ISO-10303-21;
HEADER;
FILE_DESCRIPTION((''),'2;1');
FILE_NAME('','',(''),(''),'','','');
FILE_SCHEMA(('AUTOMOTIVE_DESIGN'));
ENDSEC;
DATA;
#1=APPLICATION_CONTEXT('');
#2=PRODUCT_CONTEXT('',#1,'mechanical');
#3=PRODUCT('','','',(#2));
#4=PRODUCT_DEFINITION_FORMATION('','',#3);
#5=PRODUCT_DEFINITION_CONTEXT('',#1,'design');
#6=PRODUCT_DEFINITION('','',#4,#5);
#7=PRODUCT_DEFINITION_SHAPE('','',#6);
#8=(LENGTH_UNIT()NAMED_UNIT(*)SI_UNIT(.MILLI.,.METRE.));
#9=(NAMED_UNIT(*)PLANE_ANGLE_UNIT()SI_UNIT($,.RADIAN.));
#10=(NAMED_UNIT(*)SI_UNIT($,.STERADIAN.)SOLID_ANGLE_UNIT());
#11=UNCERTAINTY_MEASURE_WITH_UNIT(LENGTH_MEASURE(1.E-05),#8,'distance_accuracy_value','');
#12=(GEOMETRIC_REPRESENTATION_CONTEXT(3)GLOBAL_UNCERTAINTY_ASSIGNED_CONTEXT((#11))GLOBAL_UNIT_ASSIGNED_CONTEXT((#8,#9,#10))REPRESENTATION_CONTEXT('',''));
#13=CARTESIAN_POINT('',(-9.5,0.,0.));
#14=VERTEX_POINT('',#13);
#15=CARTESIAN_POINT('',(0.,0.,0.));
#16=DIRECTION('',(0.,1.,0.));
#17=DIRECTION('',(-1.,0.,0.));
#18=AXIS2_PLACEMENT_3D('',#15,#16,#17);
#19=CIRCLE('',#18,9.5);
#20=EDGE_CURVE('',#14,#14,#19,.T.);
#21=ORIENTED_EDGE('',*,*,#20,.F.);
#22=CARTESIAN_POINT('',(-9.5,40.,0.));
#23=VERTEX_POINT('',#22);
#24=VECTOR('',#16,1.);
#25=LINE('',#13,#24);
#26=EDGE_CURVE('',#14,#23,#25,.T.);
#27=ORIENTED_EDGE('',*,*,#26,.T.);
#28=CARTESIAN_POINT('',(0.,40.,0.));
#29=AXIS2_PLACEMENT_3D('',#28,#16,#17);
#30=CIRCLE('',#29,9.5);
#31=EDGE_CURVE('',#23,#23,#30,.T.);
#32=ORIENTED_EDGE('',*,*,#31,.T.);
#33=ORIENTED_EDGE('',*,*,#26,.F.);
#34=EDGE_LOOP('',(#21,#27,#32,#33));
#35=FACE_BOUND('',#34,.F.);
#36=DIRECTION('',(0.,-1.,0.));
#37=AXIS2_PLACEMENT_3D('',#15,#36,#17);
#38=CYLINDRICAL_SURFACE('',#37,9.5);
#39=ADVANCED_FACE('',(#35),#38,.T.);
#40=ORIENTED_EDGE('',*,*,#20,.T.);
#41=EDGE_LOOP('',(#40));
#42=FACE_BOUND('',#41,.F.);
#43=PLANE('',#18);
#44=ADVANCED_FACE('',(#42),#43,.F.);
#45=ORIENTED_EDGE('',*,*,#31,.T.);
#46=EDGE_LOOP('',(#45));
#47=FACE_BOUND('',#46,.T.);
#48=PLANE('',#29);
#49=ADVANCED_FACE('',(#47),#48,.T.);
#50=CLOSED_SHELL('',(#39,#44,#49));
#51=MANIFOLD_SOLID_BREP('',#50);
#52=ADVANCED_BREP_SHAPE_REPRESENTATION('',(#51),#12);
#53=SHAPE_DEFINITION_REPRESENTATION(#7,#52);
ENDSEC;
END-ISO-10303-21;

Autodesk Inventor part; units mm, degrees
ref_plane "YZ Plane" through (0, 0, 0) normal (1, 0, 0) x (0, 1, 0)
ref_plane "XZ Plane" through (0, 0, 0) normal (0, 1, 0) x (-1, 0, 0)
ref_plane "XY Plane" through (0, 0, 0) normal (0, 0, 1) x (1, 0, 0)
sketch "Sketch1" plane through (0, 0, 0) normal (0, 1, 0) x (-1, 0, 0)
  circle A0 centre (0, 0) radius 9.5
  dimension "d0" = 19
extrude "Extrusion1" add sketch "Sketch1" along normal blind 40
properties part number "topshaft" material "Stainless Steel AISI 440C, Welded"
